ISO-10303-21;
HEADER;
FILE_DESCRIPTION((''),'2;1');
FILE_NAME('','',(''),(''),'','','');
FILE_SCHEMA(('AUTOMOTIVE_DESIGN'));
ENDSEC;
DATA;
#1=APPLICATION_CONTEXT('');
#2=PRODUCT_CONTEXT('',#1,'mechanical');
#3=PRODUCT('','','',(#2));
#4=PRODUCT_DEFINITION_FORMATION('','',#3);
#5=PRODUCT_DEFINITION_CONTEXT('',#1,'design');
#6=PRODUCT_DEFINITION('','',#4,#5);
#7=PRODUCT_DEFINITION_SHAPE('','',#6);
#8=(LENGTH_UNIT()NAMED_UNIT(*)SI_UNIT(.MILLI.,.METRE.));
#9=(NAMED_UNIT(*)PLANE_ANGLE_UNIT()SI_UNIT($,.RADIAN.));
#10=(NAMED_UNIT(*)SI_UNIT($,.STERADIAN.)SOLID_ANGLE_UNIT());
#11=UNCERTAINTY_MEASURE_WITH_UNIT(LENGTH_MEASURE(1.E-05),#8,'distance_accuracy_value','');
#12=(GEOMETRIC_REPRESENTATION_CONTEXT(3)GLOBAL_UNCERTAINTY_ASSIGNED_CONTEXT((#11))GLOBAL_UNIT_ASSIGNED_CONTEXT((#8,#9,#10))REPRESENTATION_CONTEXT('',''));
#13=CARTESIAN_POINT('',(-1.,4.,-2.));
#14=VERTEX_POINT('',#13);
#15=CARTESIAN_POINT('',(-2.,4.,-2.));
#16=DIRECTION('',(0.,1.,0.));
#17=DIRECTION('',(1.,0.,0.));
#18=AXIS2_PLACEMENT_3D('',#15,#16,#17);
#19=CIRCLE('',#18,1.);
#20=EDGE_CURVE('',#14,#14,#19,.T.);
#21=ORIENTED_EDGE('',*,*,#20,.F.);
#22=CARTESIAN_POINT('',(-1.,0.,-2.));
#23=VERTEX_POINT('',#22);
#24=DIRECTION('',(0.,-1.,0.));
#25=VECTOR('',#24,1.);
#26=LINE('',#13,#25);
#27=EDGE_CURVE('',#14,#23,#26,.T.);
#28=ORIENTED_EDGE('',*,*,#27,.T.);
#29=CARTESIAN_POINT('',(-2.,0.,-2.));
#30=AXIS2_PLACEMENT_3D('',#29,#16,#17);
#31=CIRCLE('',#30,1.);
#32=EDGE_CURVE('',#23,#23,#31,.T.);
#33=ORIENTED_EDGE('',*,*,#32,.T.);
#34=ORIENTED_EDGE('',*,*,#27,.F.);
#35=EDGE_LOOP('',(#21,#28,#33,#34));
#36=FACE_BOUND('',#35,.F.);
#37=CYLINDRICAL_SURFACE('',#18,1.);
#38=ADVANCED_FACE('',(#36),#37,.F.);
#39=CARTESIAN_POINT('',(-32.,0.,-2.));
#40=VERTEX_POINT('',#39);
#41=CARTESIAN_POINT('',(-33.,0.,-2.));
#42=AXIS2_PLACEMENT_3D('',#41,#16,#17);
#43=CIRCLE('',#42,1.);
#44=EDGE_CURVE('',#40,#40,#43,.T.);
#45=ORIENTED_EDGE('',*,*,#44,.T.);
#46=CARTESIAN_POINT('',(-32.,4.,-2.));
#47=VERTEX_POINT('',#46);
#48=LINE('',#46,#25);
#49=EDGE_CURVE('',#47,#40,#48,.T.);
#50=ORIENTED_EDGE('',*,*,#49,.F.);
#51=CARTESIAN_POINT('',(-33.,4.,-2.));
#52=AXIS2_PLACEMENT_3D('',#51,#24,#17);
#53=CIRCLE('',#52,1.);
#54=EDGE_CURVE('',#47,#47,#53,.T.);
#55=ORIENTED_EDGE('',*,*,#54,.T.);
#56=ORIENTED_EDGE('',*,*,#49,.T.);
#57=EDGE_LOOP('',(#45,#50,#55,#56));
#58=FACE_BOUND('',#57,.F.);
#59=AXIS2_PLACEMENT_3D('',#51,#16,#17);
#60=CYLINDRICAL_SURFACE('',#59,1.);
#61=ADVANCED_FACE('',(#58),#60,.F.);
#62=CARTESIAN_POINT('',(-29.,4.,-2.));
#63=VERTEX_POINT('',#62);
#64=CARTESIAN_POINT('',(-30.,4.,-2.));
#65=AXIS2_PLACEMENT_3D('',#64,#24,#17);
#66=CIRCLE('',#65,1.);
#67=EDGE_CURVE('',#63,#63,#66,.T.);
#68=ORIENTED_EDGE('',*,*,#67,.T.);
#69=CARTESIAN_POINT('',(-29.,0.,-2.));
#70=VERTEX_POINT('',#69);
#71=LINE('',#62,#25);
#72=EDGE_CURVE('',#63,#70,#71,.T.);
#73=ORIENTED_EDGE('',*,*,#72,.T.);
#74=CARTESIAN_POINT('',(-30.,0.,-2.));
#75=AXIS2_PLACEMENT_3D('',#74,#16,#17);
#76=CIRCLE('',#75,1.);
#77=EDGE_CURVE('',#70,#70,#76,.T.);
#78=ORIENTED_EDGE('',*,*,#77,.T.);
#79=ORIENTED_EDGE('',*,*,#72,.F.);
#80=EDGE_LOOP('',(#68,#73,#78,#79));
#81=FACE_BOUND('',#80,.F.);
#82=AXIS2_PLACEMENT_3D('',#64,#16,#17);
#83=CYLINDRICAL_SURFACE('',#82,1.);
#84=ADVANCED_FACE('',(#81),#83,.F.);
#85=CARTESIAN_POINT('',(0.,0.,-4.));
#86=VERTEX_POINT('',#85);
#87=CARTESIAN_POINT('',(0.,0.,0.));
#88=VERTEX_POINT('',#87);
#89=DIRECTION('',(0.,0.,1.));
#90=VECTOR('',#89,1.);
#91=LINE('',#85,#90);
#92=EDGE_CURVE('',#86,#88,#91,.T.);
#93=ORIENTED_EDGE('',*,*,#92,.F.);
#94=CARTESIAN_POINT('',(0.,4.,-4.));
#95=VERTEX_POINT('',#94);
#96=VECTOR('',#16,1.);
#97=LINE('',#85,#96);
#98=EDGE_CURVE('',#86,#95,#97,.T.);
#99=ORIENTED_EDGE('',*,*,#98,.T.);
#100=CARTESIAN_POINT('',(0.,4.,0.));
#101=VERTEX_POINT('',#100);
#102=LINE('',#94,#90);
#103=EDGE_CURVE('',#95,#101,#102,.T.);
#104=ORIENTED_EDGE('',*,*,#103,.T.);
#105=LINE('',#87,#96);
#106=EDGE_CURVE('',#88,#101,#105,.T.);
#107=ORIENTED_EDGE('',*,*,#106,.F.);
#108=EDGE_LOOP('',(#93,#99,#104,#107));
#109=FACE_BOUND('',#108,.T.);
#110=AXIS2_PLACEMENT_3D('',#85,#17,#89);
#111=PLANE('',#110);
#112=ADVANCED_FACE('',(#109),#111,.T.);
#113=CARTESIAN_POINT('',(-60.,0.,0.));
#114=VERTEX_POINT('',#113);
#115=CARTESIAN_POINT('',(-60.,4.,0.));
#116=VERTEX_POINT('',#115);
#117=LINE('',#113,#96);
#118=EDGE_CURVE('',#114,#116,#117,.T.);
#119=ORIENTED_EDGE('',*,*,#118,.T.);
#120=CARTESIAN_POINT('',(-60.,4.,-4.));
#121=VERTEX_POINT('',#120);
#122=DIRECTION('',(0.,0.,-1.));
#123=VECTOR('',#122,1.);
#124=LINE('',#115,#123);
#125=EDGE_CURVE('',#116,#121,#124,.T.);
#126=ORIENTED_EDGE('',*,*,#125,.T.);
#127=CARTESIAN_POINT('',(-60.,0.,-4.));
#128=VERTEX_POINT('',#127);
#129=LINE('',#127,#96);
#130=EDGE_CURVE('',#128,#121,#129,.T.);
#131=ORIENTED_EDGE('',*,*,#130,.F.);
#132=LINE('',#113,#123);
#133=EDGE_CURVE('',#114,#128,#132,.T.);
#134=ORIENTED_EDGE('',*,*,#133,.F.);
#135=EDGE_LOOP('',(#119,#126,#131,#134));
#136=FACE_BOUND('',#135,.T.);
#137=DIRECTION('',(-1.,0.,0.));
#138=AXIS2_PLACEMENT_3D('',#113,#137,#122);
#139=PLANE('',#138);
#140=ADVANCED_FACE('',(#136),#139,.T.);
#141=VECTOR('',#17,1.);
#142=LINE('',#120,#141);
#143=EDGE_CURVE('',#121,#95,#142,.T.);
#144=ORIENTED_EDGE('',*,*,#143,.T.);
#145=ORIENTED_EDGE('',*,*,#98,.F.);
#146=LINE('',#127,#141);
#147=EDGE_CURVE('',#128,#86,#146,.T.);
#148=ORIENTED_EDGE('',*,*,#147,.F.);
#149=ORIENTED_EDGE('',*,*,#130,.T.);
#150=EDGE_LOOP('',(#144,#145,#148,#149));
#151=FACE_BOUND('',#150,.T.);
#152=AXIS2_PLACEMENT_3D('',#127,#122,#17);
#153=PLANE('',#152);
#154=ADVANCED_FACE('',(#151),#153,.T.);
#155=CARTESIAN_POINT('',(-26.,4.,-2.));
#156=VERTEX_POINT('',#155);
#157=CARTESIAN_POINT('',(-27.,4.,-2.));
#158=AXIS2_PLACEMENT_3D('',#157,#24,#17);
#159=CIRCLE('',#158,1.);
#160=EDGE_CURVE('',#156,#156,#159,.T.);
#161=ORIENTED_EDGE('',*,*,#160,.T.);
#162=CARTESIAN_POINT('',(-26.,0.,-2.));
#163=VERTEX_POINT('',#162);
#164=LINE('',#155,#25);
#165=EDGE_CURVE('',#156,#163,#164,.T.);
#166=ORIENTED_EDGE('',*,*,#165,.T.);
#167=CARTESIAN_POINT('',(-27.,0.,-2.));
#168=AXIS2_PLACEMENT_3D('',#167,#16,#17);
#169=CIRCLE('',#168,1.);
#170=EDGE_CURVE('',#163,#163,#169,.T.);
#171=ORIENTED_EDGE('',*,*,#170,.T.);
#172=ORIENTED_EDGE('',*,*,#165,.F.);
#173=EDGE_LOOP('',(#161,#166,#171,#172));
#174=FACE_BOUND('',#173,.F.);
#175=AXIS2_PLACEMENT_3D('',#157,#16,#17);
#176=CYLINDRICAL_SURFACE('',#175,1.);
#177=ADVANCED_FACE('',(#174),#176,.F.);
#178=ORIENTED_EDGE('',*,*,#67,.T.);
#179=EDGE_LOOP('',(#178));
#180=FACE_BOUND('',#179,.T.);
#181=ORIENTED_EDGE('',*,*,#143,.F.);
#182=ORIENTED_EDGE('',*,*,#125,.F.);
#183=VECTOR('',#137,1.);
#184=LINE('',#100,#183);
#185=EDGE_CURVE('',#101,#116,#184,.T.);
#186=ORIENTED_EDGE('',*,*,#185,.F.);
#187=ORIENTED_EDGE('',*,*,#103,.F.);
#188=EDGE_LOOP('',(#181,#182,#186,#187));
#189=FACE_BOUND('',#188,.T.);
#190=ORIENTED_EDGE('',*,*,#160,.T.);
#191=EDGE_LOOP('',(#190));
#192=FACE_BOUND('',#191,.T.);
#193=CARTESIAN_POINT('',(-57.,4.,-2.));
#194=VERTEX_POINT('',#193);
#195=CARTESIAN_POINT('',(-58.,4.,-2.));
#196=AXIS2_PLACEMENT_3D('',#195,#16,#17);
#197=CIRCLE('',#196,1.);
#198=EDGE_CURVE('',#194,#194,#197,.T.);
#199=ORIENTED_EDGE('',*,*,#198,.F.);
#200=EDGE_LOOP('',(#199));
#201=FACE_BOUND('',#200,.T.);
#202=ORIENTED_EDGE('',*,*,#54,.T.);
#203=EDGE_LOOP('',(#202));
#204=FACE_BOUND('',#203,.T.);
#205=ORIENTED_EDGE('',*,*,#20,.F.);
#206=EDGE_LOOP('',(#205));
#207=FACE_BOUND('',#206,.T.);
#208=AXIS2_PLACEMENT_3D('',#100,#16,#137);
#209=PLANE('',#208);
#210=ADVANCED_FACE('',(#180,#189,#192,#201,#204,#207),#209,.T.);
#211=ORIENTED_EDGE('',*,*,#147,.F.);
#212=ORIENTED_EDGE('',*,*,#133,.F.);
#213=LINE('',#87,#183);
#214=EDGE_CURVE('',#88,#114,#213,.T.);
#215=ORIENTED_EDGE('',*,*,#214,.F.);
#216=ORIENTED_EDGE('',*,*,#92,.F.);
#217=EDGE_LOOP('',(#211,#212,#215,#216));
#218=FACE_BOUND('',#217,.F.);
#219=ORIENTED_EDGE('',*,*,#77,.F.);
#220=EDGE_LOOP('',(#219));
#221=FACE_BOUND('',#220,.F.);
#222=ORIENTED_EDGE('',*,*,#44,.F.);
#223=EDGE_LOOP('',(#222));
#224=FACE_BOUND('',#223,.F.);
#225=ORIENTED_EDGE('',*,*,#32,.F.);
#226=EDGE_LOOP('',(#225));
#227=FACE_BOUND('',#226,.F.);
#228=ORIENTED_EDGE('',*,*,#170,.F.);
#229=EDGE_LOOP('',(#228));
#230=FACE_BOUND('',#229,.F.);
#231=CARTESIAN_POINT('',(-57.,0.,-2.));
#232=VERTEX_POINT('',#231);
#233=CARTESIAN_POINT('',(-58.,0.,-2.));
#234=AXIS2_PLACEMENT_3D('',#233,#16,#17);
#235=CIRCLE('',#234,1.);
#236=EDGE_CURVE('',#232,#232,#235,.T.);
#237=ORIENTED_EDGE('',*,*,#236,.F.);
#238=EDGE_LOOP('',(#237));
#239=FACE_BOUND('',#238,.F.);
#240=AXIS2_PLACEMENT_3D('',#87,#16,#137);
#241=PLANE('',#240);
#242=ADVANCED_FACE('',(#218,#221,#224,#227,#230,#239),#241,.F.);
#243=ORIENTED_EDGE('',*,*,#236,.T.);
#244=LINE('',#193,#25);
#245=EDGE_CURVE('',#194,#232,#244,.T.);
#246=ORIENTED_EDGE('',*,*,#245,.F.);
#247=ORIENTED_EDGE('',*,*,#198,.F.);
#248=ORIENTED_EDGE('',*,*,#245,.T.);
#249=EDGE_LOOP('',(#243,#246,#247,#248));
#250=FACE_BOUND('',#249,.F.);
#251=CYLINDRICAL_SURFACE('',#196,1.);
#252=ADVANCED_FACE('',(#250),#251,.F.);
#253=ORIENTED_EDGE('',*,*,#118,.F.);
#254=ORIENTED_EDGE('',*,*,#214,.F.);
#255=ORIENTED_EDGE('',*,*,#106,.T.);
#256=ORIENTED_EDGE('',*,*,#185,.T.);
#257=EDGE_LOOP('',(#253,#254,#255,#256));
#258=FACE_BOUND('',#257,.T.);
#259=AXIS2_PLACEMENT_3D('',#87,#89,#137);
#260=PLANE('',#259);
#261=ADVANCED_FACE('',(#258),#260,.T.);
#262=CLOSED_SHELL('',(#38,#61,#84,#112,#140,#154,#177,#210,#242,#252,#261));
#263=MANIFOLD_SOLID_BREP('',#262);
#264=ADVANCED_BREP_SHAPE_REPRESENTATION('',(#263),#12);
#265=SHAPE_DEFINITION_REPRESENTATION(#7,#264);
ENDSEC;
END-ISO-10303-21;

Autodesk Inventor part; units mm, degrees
ref_plane "YZ Plane" through (0, 0, 0) normal (1, 0, 0) x (0, 1, 0)
ref_plane "XZ Plane" through (0, 0, 0) normal (0, 1, 0) x (-1, 0, 0)
ref_plane "XY Plane" through (0, 0, 0) normal (0, 0, 1) x (1, 0, 0)
sketch "Sketch1" plane through (0, 0, 0) normal (0, 1, 0) x (-1, 0, 0)
  line L0 (0, 0) -> (60, 0)
  line L1 (60, 0) -> (60, -4)
  line L2 (60, -4) -> (0, -4)
  line L3 (0, -4) -> (0, 0)
  dimension "d0" = 60
  dimension "d1" = 4
extrude "Extrusion1" add sketch "Sketch1" along normal blind 4
sketch "Sketch2" plane through (0, 4, 0) normal (0, 1, 0) x (1, 0, 0)
  line L0 (0, 0) -> (0, 4) projected
  line L1 (0, 2) -> (-2, 2)
  circle A0 centre (-2, 2) radius 1
  line L2 (0, 4) -> (-60, 4) projected
  line L3 (-30, 4) -> (-30, 1.3223)
  circle A1 centre (-58, 2) radius 1
  dimension "d4" = 2
  dimension "d5" = 2
extrude "Extrusion2" cut sketch "Sketch2" against normal blind 4
sketch "Sketch3" plane through (0, 4, 0) normal (0, 1, 0) x (1, 0, 0)
  line L0 (0, 0) -> (0, 4) projected
  line L1 (0, 2) -> (-60, 2)
  line L2 (-60, 4) -> (-60, 0) projected
  circle A0 centre (-30, 2) radius 1
  circle A1 centre (-27, 2) radius 1
  circle A2 centre (-33, 2) radius 1
  circle A3 centre (-30, 2) radius 1
  dimension "d8" = 2
  dimension "d13" = 3
  dimension "d16" = 3
extrude "Extrusion3" cut sketch "Sketch3" against normal blind 10 contours A0 L1 | L1 A0
extrude "Extrusion4" cut sketch "Sketch3" against normal blind 10 contours A1 L1 | L1 A1 | A2 L1 | L1 A2
properties part number "parallel_bar_long_v1"
